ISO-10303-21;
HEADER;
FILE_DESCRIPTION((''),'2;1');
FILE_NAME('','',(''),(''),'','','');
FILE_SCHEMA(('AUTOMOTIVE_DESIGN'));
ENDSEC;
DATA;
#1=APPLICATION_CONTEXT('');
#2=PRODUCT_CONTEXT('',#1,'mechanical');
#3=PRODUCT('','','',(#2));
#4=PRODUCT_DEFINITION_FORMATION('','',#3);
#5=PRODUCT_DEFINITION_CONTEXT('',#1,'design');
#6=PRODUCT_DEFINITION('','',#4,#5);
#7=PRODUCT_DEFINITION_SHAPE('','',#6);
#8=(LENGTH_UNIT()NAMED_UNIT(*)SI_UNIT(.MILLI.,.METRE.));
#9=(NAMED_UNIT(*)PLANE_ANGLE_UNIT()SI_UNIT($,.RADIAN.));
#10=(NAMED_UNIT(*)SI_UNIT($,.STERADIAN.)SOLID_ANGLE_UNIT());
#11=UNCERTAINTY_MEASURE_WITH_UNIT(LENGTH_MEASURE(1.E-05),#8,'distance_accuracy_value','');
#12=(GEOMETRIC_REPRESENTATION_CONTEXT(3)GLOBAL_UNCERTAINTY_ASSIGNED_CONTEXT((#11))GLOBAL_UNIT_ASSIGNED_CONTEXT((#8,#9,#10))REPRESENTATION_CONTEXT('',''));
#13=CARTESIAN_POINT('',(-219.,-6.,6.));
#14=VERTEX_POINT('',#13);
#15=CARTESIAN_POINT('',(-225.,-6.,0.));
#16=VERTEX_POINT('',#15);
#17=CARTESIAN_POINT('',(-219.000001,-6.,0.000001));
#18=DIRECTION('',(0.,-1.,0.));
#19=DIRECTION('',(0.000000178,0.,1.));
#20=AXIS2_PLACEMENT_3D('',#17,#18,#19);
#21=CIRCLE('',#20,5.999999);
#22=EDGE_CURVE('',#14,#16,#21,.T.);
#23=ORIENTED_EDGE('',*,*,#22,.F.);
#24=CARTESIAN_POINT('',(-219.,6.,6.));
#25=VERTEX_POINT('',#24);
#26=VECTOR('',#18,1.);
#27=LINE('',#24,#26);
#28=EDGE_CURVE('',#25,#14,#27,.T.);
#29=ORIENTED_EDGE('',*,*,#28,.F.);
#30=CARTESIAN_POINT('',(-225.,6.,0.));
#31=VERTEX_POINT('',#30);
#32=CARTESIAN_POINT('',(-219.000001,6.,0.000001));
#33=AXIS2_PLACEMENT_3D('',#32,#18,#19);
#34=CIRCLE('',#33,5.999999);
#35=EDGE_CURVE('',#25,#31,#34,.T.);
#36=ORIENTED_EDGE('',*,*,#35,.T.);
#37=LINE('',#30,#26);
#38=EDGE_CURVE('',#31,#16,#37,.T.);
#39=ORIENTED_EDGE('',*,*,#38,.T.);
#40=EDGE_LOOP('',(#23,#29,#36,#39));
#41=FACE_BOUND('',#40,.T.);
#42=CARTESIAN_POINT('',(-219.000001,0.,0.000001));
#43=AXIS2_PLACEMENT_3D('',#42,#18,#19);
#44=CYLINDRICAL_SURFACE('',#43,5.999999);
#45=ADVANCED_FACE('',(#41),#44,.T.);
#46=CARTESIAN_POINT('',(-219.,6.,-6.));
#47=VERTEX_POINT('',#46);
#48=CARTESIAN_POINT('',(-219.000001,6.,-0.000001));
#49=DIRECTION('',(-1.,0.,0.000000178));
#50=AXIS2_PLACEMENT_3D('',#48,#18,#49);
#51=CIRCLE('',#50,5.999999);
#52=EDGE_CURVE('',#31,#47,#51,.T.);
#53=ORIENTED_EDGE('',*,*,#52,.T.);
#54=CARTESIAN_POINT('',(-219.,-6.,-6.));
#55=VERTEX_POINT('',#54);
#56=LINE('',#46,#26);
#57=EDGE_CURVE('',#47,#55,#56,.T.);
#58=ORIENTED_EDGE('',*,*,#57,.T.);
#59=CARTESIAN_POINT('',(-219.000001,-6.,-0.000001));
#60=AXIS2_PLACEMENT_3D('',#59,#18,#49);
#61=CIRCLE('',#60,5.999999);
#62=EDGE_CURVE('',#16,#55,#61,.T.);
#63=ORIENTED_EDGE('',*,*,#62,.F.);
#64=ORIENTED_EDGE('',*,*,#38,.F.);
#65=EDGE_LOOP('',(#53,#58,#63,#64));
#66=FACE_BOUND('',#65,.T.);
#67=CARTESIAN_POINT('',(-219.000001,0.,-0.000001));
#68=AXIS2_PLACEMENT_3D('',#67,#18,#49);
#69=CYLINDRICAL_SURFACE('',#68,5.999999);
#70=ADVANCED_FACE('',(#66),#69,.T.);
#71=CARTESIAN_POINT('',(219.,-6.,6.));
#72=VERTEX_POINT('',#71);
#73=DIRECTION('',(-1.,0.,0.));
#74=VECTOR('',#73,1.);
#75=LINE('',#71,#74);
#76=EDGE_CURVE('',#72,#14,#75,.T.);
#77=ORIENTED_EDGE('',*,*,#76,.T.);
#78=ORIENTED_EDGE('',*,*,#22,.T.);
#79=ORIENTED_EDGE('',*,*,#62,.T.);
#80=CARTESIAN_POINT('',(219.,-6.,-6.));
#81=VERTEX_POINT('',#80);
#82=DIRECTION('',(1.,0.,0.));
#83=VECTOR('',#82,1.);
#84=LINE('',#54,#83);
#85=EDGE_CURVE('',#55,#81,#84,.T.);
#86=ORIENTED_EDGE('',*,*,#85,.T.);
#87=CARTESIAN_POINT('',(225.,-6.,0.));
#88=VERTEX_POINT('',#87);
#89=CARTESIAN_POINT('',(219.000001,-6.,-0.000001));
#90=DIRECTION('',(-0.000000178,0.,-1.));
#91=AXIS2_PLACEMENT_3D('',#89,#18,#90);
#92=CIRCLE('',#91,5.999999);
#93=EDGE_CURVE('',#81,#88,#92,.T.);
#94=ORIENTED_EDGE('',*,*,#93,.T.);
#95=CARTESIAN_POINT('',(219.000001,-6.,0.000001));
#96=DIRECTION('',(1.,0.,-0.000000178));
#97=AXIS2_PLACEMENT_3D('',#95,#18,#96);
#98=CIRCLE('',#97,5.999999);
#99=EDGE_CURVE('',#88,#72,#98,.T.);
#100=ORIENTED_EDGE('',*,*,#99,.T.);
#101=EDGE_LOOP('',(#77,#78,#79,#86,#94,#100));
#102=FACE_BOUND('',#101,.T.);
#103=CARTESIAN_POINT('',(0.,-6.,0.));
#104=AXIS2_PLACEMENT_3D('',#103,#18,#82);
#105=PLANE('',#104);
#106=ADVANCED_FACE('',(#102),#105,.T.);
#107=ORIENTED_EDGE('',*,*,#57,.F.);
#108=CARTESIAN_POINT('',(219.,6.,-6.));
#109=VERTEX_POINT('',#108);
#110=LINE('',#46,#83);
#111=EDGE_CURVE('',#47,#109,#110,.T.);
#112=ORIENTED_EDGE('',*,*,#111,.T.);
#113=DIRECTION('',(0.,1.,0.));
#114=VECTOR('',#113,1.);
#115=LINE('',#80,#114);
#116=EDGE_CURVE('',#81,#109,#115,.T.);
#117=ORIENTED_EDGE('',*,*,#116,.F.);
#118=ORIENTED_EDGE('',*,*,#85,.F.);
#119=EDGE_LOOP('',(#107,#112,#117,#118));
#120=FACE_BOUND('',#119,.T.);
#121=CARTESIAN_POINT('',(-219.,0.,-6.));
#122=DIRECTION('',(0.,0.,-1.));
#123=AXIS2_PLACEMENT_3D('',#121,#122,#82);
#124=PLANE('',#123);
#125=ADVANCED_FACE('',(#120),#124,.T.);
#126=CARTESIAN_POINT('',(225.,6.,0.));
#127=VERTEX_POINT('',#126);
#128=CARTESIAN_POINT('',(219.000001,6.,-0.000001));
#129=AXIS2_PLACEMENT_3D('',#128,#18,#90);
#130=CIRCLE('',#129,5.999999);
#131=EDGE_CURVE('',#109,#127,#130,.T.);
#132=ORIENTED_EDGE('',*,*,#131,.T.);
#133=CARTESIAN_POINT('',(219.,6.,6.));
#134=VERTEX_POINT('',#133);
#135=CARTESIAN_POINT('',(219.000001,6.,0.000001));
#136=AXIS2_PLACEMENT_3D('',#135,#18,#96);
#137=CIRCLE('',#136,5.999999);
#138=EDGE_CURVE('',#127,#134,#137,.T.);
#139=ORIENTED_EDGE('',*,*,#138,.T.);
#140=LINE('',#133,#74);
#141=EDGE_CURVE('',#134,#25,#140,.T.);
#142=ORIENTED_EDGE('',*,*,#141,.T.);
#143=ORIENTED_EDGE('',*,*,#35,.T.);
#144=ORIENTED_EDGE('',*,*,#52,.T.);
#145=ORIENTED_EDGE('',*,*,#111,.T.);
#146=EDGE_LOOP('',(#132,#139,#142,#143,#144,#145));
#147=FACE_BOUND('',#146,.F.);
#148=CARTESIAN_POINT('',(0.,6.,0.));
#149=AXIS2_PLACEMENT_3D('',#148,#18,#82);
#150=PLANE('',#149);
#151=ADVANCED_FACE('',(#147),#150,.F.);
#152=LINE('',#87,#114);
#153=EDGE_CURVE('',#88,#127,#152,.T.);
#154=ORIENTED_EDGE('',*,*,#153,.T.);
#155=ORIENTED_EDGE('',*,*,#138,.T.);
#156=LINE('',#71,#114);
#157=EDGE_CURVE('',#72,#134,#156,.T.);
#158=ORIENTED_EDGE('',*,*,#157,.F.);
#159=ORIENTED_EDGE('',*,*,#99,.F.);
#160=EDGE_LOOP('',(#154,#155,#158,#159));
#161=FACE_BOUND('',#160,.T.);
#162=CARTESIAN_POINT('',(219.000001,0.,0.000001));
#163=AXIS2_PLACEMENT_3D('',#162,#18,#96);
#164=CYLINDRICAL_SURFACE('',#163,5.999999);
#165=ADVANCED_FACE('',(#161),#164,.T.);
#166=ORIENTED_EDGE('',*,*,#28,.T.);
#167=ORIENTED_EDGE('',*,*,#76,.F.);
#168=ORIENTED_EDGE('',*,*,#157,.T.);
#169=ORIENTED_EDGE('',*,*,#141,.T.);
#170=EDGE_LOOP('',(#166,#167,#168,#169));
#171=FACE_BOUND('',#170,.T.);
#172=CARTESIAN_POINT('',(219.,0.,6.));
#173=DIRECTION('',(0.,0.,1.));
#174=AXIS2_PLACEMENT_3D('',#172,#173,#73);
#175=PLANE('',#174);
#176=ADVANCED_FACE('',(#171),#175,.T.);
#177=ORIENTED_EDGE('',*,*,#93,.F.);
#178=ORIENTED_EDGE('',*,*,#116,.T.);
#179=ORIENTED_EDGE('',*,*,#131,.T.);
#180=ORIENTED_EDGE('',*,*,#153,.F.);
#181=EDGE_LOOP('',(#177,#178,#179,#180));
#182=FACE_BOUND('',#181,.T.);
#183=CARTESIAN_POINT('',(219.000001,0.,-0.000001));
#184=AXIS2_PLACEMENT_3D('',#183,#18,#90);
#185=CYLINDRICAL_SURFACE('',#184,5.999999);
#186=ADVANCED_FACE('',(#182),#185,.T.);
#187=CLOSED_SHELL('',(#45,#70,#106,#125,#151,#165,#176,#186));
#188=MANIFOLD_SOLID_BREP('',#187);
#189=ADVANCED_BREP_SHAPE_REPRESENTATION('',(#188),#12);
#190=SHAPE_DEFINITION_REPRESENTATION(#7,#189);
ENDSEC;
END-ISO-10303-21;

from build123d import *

# Parameters (mm, degrees)
F1_DEPTH = 6


with BuildPart() as f1:
    # F0 (on Front) → F1 (new body, symmetric)
    with BuildSketch(Plane.XZ):
        with BuildLine():
            Line((219, 6), (-219, 6))
            ThreePointArc((-219, 6), (-223.242641, 4.242641), (-225, 0))
            ThreePointArc((-225, 0), (-223.242641, -4.242641), (-219, -6))
            Line((-219, -6), (219, -6))
            ThreePointArc((219, -6), (223.242641, -4.242641), (225, 0))
            ThreePointArc((225, 0), (223.242641, 4.242641), (219, 6))
        make_face()
    extrude(amount=F1_DEPTH, both=True)


solid = f1.part
